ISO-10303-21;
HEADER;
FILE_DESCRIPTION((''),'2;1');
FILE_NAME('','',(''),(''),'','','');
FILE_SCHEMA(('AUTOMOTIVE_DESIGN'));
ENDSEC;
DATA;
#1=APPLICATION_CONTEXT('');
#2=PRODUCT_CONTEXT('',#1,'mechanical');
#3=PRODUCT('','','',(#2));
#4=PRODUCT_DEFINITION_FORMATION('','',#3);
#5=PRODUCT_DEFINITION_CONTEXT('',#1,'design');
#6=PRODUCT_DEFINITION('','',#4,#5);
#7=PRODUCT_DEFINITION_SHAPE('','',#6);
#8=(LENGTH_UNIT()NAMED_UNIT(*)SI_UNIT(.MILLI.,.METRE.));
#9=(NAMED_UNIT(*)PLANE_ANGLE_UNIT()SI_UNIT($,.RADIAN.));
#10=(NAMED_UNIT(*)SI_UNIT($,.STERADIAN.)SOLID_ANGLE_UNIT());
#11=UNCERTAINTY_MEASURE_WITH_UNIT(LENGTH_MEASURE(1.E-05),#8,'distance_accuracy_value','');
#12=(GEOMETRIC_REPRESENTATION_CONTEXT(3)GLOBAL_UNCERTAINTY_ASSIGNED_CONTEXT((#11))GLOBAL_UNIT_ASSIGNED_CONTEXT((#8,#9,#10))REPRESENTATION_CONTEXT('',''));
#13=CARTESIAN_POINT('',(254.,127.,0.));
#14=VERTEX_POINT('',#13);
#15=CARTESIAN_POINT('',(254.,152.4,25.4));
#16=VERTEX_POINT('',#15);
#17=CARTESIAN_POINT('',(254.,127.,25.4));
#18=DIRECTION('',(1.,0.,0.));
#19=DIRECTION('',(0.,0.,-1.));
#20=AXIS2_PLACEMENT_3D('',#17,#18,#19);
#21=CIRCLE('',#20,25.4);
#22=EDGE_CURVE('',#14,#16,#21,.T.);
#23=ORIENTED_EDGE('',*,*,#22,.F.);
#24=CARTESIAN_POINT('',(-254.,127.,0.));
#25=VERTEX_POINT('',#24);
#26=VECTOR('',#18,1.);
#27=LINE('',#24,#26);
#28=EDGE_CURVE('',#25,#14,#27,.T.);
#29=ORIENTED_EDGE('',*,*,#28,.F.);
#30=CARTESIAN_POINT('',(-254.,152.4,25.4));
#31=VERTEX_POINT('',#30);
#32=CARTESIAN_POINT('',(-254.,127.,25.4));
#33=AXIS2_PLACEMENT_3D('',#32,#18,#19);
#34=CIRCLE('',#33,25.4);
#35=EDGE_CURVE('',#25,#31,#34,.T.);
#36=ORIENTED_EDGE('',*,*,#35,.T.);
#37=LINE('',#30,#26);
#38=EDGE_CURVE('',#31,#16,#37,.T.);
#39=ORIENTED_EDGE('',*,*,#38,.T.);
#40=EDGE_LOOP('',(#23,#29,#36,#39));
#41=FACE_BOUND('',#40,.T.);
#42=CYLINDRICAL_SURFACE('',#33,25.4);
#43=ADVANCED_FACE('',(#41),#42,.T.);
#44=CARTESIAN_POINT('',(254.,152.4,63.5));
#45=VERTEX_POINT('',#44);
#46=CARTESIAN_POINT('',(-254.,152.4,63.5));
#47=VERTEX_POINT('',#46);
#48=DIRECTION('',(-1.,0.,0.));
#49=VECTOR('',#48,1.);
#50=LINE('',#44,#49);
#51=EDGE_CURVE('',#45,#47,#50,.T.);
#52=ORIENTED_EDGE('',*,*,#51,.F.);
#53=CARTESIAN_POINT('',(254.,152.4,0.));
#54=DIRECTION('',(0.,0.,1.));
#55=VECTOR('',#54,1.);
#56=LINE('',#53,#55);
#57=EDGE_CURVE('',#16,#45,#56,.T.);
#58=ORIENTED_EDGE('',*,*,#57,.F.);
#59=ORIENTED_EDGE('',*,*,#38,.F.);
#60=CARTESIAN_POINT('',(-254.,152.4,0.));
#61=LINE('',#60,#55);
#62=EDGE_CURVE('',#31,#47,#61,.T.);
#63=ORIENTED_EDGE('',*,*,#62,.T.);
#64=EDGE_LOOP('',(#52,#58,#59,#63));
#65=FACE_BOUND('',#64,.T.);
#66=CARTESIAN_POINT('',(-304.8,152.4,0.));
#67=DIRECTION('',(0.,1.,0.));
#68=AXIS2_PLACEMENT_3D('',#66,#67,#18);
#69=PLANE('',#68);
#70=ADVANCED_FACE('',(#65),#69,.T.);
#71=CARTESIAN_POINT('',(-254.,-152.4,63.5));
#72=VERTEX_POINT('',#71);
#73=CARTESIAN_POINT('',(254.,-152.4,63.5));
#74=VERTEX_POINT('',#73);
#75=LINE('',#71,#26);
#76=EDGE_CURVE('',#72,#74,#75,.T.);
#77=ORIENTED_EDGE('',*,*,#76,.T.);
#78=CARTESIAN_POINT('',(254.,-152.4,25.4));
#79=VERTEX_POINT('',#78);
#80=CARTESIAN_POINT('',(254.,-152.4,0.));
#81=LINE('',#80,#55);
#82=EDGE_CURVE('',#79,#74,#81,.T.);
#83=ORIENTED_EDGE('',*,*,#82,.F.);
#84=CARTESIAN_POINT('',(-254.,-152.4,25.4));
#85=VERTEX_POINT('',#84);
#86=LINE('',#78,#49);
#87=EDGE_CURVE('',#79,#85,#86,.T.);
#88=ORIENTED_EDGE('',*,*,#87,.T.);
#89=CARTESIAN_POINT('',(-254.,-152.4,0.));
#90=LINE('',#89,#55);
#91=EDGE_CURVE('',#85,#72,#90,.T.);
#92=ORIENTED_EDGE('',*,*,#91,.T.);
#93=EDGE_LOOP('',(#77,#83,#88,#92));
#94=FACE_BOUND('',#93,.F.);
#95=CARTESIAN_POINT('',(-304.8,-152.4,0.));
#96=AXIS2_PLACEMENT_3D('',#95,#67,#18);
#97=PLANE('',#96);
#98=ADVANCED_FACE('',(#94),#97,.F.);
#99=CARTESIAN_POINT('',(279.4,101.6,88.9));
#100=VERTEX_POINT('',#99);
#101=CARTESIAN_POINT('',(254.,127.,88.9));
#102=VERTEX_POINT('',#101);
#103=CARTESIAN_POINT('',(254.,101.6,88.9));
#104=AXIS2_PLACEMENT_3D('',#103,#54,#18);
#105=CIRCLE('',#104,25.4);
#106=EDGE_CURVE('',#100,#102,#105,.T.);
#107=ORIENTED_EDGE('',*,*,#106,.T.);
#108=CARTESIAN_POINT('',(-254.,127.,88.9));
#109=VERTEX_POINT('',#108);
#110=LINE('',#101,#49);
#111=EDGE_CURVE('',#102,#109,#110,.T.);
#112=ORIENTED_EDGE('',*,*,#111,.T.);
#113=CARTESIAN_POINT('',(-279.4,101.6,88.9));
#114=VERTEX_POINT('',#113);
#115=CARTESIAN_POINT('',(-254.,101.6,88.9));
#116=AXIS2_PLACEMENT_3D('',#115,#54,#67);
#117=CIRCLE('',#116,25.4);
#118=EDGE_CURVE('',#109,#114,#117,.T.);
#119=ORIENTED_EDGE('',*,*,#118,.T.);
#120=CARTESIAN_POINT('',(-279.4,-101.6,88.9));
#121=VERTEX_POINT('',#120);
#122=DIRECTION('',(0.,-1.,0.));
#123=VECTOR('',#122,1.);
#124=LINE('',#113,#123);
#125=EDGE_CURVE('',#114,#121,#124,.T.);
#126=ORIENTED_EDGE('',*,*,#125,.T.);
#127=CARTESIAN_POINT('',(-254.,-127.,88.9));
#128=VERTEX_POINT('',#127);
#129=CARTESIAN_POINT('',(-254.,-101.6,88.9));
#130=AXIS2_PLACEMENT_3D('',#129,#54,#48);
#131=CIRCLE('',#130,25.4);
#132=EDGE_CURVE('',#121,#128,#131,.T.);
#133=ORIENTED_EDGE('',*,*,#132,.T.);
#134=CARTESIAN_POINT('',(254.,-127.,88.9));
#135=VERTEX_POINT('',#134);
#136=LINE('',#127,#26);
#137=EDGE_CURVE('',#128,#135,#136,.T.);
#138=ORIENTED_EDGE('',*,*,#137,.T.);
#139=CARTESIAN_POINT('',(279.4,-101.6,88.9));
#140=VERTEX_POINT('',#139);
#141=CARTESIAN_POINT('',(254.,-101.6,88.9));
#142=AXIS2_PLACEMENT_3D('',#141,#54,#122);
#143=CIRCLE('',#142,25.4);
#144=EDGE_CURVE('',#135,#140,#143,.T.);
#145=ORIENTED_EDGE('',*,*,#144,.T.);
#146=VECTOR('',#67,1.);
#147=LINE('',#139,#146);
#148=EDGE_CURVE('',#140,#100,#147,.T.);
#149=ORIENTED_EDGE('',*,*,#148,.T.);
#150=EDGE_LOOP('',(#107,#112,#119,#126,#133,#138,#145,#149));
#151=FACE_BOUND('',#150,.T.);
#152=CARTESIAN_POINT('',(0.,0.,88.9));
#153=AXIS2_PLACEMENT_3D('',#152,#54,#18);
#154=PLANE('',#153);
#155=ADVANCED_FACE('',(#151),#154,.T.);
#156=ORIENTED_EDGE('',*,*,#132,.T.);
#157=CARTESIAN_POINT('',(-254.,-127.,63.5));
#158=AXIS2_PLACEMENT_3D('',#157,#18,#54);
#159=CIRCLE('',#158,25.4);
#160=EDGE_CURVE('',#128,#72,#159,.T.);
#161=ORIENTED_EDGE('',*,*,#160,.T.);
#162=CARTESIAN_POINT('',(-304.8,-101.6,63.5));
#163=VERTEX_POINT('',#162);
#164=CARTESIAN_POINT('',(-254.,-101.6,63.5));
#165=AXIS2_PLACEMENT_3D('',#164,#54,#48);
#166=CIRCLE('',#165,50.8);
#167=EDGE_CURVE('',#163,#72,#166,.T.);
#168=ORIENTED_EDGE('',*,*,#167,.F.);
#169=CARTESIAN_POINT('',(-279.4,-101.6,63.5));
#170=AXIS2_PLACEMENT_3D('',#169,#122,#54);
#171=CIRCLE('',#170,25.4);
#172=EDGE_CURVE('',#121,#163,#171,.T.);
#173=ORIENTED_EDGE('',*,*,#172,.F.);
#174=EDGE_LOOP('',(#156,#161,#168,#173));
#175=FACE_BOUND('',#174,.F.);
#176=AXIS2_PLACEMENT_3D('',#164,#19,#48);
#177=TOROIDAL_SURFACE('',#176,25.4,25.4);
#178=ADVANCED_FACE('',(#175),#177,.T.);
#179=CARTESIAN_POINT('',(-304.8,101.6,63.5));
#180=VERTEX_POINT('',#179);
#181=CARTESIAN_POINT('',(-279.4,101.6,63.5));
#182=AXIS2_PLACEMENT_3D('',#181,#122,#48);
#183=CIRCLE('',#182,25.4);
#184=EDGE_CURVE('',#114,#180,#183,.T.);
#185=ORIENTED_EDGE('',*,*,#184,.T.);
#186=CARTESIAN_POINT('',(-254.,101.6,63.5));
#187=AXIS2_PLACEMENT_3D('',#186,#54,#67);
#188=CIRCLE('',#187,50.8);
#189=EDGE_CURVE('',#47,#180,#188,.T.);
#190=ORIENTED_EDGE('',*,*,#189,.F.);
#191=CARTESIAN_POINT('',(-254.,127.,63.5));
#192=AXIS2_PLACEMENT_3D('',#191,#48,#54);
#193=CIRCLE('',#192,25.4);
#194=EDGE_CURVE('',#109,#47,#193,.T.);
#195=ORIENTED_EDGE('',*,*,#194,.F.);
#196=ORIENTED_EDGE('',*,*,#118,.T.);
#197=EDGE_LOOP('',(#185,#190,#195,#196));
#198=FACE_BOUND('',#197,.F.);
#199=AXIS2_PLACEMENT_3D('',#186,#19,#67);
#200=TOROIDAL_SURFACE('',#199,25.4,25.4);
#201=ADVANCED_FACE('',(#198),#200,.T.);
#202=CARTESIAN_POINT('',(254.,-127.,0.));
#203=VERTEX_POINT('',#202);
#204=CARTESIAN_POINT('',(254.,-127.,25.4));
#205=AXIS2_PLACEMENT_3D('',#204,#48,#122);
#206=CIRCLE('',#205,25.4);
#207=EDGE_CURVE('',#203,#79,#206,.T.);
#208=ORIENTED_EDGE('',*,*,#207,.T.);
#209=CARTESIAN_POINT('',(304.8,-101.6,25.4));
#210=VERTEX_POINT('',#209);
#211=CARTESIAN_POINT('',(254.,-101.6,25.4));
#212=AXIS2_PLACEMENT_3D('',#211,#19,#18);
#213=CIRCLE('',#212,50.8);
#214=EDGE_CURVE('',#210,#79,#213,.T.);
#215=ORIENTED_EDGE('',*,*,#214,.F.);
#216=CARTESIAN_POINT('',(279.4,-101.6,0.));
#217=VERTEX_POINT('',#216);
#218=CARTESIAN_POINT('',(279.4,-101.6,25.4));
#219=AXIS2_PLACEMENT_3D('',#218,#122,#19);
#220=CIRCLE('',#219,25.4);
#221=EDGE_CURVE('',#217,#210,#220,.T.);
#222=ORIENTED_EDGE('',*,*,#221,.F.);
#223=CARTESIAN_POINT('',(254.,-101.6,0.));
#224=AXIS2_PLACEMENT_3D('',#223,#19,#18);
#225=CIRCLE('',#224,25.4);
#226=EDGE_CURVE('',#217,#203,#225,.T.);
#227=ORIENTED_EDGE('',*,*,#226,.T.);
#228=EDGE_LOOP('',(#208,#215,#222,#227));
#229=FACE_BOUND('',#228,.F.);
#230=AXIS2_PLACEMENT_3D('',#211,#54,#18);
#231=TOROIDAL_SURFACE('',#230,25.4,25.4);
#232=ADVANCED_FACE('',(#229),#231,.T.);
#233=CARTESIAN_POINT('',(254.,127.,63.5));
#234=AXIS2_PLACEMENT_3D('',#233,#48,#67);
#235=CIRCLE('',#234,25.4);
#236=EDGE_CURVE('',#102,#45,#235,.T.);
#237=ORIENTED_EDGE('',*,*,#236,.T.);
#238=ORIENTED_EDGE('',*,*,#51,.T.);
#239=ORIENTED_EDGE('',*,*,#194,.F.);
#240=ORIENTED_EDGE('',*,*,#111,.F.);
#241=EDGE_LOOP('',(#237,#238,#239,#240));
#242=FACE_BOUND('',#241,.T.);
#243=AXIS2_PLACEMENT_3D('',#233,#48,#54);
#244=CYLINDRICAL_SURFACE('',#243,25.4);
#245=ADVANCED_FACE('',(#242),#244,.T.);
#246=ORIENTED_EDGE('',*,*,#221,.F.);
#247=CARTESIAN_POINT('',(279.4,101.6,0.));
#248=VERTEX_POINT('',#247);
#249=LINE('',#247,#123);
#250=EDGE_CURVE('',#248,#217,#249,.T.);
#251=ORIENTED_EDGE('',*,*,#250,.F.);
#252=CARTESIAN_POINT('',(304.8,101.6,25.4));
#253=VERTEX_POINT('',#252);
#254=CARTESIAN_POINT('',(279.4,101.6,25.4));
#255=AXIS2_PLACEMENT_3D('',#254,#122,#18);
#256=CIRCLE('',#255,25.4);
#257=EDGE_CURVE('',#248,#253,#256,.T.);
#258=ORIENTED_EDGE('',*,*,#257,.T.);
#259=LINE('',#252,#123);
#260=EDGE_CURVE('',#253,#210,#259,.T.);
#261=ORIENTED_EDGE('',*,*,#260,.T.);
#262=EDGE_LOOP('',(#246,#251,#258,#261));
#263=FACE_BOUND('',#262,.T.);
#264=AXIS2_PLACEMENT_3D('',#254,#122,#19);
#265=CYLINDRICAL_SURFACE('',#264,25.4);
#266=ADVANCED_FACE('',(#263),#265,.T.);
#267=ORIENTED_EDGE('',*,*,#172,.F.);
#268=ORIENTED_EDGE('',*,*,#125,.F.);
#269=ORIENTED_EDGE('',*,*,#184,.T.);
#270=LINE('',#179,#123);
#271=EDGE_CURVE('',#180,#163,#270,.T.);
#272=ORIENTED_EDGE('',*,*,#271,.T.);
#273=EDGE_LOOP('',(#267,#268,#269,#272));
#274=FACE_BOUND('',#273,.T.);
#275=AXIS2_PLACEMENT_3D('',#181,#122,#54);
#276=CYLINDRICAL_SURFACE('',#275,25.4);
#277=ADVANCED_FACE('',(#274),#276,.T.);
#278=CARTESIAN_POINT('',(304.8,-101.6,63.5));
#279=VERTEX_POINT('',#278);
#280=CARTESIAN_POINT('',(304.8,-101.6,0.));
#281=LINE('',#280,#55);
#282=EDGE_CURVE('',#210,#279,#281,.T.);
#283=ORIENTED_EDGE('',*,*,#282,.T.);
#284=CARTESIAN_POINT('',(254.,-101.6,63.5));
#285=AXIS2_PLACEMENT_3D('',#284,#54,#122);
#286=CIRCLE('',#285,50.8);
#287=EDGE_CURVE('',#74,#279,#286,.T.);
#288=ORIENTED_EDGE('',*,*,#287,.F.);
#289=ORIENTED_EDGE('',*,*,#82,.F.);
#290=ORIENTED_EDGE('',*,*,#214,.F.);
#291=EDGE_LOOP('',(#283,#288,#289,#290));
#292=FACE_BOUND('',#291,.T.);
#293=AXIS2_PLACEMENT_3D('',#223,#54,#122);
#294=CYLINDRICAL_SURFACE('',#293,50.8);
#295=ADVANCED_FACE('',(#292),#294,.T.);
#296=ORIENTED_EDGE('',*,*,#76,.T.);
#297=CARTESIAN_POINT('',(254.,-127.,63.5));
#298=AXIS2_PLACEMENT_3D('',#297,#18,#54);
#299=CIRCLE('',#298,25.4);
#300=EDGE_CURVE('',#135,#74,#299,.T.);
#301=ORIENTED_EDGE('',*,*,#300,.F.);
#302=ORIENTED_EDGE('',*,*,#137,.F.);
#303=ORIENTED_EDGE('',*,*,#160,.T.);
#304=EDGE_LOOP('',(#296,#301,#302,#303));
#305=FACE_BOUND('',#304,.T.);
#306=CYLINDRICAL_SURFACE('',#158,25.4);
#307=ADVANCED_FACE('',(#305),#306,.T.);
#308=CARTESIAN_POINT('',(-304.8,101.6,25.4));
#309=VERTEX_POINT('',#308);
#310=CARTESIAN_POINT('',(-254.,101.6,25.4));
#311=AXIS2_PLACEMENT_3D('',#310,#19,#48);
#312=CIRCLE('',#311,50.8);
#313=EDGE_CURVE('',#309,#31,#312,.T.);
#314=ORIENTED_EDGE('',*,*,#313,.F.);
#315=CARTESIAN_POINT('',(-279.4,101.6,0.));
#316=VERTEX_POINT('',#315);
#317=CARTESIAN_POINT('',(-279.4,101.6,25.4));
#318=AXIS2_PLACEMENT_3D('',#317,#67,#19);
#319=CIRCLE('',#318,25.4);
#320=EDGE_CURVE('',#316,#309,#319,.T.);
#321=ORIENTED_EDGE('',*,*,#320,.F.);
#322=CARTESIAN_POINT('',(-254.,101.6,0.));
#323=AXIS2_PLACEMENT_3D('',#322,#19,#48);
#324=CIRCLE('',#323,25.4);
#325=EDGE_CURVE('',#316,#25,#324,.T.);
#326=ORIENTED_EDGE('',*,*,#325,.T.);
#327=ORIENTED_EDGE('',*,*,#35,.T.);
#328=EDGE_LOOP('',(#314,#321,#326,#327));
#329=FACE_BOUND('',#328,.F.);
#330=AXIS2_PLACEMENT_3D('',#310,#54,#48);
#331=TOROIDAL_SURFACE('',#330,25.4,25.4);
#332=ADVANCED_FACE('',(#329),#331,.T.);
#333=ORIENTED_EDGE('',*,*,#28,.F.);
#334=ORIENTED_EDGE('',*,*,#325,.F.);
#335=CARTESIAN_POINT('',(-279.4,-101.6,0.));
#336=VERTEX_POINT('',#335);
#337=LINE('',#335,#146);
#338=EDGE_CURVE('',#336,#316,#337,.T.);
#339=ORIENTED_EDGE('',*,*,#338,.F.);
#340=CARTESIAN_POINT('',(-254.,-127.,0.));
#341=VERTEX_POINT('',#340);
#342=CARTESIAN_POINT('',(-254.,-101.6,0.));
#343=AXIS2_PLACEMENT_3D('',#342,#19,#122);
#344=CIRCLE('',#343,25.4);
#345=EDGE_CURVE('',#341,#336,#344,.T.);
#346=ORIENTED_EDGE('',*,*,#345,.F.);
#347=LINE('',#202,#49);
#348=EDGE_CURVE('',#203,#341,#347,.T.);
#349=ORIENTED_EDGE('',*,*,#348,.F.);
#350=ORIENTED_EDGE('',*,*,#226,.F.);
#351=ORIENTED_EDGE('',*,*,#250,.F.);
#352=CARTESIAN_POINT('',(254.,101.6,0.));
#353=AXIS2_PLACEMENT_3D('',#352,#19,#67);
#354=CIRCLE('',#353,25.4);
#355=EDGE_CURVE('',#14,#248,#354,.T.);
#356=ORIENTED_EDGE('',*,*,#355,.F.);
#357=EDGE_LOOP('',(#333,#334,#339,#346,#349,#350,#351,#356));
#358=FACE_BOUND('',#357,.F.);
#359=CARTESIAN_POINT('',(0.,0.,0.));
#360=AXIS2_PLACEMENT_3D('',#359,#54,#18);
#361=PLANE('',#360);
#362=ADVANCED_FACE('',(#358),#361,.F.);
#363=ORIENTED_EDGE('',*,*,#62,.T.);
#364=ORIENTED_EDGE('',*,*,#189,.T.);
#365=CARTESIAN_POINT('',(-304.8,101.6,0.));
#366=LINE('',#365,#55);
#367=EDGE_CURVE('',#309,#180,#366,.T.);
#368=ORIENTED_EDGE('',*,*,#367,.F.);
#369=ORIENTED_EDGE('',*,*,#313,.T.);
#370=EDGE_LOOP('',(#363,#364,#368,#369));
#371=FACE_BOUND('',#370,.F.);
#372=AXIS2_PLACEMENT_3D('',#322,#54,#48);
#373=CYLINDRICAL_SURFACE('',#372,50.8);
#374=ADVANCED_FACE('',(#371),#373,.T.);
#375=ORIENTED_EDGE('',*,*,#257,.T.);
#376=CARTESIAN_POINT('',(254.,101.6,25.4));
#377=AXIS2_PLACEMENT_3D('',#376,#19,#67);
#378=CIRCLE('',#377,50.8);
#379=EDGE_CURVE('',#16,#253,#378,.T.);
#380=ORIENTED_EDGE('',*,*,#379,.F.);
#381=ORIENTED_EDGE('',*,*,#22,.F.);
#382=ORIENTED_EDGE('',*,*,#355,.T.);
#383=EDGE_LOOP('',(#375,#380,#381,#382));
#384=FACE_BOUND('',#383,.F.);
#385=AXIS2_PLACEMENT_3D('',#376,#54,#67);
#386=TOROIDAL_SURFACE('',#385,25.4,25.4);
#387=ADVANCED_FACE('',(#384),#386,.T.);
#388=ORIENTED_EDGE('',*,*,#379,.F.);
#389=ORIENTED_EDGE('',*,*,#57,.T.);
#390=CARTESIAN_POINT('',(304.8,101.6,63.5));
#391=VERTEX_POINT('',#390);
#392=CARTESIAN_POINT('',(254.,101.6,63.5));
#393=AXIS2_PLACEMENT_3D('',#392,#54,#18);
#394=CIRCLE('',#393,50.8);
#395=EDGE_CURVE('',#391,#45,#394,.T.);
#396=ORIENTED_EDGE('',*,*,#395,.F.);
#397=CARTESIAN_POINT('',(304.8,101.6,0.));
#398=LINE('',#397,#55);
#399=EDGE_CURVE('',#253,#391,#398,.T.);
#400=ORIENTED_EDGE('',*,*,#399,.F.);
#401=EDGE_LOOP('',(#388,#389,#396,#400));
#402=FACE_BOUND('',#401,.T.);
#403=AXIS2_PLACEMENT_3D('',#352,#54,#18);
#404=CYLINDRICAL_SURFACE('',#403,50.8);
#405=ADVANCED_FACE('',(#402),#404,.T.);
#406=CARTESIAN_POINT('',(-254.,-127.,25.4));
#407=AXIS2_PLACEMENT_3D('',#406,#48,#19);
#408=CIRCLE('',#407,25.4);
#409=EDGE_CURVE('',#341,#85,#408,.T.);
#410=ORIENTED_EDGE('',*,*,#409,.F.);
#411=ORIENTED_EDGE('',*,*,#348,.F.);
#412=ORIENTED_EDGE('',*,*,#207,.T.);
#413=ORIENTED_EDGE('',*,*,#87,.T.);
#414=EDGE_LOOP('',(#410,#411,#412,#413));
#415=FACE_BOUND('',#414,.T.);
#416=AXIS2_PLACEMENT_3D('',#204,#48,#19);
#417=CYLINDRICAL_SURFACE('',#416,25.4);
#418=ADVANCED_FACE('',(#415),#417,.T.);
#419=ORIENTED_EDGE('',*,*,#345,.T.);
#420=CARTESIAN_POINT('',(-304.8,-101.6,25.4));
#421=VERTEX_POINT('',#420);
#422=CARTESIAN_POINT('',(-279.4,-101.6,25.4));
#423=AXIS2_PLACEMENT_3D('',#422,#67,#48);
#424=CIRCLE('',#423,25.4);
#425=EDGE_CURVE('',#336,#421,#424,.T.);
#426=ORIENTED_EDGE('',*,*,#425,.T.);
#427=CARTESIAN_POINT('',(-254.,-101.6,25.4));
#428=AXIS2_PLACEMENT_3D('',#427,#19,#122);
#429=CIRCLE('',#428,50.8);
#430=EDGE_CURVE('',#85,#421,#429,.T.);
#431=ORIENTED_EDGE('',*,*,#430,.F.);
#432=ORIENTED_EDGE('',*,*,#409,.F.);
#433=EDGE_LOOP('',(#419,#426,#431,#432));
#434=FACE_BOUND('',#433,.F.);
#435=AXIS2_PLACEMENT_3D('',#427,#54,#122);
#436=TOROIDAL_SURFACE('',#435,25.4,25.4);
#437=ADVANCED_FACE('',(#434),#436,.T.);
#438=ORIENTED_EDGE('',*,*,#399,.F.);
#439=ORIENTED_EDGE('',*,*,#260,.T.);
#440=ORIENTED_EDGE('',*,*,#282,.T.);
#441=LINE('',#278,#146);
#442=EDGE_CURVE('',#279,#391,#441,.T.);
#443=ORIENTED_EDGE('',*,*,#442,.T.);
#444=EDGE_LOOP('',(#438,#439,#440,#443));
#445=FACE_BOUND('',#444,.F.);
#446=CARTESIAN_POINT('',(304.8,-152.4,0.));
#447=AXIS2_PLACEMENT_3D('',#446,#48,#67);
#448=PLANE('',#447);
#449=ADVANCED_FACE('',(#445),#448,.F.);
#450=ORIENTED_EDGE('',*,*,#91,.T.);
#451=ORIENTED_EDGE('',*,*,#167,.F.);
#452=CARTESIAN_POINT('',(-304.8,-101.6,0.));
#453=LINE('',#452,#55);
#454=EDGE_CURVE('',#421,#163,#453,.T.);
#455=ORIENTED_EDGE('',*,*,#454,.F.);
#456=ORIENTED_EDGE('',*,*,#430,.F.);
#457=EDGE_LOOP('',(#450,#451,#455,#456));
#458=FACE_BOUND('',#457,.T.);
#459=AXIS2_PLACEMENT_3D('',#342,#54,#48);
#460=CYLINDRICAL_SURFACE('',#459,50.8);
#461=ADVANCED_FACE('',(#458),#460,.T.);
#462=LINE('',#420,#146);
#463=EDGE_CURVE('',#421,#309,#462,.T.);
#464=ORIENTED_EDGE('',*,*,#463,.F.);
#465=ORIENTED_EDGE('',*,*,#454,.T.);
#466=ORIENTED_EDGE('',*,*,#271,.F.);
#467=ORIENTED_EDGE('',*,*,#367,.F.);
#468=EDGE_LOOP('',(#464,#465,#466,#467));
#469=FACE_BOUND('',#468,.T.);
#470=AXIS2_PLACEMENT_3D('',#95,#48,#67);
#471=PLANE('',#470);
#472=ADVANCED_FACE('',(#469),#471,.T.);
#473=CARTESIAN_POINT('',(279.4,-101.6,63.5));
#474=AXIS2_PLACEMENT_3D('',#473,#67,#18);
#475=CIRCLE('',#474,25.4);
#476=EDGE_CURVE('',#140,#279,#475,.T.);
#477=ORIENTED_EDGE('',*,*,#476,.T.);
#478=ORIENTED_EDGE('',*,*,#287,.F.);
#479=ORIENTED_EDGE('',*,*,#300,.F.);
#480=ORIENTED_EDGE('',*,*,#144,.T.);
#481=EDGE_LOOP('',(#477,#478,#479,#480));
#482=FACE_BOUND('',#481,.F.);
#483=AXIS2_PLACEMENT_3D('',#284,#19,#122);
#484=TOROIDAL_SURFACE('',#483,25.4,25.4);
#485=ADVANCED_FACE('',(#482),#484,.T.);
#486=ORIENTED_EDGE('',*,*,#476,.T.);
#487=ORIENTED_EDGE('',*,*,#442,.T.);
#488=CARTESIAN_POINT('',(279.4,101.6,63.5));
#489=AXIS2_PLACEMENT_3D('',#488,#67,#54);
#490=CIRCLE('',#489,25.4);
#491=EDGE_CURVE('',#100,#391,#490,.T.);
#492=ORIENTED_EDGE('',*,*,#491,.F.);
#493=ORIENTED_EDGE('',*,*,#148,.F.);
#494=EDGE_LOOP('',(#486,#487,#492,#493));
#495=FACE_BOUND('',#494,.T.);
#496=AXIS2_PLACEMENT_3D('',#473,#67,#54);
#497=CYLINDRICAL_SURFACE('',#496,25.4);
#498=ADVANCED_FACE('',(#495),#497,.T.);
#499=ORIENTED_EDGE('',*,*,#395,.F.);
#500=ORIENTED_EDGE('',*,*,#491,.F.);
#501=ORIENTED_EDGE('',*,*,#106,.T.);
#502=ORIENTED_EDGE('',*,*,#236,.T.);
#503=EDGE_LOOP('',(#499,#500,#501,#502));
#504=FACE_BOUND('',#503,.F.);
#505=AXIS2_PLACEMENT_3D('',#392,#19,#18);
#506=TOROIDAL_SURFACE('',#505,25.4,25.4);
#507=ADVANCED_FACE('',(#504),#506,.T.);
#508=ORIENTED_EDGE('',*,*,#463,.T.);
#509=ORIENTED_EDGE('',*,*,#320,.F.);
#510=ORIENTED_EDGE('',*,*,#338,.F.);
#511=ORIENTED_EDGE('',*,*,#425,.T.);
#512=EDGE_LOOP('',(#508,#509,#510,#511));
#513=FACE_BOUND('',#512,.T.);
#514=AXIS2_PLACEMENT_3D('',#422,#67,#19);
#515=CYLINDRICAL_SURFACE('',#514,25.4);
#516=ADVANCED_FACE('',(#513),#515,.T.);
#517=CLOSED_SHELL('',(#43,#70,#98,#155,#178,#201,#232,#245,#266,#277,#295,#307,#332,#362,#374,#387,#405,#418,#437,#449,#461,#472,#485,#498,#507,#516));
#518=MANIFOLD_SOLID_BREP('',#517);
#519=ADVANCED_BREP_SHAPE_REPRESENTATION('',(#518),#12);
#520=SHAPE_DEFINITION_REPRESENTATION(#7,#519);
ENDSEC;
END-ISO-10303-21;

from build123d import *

# Parameters (mm, degrees)
F0_W     = 609.6
F0_H     = 304.8
F1_DEPTH = 88.9
F2_R     = 50.8
F3_R     = 25.4


with BuildPart() as f1:
    # F0 (on Top) → F1 (new body)
    with BuildSketch(Plane.XY):
        Rectangle(F0_W, F0_H)
    extrude(amount=F1_DEPTH)

    # F2
    f2_edges = [f1.edges().sort_by_distance(p)[0] for p in [
        (-304.8, 152.4, 44.45),
        (-304.8, -152.4, 44.45),
        (304.8, -152.4, 44.45),
        (304.8, 152.4, 44.45),
    ]]
    fillet(f2_edges, radius=F2_R)

    # F3
    f3_edges = [f1.edges().sort_by_distance(p)[0] for p in [
        (0, -152.4, 88.9),
        (0, 152.4, 88.9),
        (0, 152.4, 0),
    ]]
    fillet(f3_edges, radius=F3_R)


solid = f1.part
